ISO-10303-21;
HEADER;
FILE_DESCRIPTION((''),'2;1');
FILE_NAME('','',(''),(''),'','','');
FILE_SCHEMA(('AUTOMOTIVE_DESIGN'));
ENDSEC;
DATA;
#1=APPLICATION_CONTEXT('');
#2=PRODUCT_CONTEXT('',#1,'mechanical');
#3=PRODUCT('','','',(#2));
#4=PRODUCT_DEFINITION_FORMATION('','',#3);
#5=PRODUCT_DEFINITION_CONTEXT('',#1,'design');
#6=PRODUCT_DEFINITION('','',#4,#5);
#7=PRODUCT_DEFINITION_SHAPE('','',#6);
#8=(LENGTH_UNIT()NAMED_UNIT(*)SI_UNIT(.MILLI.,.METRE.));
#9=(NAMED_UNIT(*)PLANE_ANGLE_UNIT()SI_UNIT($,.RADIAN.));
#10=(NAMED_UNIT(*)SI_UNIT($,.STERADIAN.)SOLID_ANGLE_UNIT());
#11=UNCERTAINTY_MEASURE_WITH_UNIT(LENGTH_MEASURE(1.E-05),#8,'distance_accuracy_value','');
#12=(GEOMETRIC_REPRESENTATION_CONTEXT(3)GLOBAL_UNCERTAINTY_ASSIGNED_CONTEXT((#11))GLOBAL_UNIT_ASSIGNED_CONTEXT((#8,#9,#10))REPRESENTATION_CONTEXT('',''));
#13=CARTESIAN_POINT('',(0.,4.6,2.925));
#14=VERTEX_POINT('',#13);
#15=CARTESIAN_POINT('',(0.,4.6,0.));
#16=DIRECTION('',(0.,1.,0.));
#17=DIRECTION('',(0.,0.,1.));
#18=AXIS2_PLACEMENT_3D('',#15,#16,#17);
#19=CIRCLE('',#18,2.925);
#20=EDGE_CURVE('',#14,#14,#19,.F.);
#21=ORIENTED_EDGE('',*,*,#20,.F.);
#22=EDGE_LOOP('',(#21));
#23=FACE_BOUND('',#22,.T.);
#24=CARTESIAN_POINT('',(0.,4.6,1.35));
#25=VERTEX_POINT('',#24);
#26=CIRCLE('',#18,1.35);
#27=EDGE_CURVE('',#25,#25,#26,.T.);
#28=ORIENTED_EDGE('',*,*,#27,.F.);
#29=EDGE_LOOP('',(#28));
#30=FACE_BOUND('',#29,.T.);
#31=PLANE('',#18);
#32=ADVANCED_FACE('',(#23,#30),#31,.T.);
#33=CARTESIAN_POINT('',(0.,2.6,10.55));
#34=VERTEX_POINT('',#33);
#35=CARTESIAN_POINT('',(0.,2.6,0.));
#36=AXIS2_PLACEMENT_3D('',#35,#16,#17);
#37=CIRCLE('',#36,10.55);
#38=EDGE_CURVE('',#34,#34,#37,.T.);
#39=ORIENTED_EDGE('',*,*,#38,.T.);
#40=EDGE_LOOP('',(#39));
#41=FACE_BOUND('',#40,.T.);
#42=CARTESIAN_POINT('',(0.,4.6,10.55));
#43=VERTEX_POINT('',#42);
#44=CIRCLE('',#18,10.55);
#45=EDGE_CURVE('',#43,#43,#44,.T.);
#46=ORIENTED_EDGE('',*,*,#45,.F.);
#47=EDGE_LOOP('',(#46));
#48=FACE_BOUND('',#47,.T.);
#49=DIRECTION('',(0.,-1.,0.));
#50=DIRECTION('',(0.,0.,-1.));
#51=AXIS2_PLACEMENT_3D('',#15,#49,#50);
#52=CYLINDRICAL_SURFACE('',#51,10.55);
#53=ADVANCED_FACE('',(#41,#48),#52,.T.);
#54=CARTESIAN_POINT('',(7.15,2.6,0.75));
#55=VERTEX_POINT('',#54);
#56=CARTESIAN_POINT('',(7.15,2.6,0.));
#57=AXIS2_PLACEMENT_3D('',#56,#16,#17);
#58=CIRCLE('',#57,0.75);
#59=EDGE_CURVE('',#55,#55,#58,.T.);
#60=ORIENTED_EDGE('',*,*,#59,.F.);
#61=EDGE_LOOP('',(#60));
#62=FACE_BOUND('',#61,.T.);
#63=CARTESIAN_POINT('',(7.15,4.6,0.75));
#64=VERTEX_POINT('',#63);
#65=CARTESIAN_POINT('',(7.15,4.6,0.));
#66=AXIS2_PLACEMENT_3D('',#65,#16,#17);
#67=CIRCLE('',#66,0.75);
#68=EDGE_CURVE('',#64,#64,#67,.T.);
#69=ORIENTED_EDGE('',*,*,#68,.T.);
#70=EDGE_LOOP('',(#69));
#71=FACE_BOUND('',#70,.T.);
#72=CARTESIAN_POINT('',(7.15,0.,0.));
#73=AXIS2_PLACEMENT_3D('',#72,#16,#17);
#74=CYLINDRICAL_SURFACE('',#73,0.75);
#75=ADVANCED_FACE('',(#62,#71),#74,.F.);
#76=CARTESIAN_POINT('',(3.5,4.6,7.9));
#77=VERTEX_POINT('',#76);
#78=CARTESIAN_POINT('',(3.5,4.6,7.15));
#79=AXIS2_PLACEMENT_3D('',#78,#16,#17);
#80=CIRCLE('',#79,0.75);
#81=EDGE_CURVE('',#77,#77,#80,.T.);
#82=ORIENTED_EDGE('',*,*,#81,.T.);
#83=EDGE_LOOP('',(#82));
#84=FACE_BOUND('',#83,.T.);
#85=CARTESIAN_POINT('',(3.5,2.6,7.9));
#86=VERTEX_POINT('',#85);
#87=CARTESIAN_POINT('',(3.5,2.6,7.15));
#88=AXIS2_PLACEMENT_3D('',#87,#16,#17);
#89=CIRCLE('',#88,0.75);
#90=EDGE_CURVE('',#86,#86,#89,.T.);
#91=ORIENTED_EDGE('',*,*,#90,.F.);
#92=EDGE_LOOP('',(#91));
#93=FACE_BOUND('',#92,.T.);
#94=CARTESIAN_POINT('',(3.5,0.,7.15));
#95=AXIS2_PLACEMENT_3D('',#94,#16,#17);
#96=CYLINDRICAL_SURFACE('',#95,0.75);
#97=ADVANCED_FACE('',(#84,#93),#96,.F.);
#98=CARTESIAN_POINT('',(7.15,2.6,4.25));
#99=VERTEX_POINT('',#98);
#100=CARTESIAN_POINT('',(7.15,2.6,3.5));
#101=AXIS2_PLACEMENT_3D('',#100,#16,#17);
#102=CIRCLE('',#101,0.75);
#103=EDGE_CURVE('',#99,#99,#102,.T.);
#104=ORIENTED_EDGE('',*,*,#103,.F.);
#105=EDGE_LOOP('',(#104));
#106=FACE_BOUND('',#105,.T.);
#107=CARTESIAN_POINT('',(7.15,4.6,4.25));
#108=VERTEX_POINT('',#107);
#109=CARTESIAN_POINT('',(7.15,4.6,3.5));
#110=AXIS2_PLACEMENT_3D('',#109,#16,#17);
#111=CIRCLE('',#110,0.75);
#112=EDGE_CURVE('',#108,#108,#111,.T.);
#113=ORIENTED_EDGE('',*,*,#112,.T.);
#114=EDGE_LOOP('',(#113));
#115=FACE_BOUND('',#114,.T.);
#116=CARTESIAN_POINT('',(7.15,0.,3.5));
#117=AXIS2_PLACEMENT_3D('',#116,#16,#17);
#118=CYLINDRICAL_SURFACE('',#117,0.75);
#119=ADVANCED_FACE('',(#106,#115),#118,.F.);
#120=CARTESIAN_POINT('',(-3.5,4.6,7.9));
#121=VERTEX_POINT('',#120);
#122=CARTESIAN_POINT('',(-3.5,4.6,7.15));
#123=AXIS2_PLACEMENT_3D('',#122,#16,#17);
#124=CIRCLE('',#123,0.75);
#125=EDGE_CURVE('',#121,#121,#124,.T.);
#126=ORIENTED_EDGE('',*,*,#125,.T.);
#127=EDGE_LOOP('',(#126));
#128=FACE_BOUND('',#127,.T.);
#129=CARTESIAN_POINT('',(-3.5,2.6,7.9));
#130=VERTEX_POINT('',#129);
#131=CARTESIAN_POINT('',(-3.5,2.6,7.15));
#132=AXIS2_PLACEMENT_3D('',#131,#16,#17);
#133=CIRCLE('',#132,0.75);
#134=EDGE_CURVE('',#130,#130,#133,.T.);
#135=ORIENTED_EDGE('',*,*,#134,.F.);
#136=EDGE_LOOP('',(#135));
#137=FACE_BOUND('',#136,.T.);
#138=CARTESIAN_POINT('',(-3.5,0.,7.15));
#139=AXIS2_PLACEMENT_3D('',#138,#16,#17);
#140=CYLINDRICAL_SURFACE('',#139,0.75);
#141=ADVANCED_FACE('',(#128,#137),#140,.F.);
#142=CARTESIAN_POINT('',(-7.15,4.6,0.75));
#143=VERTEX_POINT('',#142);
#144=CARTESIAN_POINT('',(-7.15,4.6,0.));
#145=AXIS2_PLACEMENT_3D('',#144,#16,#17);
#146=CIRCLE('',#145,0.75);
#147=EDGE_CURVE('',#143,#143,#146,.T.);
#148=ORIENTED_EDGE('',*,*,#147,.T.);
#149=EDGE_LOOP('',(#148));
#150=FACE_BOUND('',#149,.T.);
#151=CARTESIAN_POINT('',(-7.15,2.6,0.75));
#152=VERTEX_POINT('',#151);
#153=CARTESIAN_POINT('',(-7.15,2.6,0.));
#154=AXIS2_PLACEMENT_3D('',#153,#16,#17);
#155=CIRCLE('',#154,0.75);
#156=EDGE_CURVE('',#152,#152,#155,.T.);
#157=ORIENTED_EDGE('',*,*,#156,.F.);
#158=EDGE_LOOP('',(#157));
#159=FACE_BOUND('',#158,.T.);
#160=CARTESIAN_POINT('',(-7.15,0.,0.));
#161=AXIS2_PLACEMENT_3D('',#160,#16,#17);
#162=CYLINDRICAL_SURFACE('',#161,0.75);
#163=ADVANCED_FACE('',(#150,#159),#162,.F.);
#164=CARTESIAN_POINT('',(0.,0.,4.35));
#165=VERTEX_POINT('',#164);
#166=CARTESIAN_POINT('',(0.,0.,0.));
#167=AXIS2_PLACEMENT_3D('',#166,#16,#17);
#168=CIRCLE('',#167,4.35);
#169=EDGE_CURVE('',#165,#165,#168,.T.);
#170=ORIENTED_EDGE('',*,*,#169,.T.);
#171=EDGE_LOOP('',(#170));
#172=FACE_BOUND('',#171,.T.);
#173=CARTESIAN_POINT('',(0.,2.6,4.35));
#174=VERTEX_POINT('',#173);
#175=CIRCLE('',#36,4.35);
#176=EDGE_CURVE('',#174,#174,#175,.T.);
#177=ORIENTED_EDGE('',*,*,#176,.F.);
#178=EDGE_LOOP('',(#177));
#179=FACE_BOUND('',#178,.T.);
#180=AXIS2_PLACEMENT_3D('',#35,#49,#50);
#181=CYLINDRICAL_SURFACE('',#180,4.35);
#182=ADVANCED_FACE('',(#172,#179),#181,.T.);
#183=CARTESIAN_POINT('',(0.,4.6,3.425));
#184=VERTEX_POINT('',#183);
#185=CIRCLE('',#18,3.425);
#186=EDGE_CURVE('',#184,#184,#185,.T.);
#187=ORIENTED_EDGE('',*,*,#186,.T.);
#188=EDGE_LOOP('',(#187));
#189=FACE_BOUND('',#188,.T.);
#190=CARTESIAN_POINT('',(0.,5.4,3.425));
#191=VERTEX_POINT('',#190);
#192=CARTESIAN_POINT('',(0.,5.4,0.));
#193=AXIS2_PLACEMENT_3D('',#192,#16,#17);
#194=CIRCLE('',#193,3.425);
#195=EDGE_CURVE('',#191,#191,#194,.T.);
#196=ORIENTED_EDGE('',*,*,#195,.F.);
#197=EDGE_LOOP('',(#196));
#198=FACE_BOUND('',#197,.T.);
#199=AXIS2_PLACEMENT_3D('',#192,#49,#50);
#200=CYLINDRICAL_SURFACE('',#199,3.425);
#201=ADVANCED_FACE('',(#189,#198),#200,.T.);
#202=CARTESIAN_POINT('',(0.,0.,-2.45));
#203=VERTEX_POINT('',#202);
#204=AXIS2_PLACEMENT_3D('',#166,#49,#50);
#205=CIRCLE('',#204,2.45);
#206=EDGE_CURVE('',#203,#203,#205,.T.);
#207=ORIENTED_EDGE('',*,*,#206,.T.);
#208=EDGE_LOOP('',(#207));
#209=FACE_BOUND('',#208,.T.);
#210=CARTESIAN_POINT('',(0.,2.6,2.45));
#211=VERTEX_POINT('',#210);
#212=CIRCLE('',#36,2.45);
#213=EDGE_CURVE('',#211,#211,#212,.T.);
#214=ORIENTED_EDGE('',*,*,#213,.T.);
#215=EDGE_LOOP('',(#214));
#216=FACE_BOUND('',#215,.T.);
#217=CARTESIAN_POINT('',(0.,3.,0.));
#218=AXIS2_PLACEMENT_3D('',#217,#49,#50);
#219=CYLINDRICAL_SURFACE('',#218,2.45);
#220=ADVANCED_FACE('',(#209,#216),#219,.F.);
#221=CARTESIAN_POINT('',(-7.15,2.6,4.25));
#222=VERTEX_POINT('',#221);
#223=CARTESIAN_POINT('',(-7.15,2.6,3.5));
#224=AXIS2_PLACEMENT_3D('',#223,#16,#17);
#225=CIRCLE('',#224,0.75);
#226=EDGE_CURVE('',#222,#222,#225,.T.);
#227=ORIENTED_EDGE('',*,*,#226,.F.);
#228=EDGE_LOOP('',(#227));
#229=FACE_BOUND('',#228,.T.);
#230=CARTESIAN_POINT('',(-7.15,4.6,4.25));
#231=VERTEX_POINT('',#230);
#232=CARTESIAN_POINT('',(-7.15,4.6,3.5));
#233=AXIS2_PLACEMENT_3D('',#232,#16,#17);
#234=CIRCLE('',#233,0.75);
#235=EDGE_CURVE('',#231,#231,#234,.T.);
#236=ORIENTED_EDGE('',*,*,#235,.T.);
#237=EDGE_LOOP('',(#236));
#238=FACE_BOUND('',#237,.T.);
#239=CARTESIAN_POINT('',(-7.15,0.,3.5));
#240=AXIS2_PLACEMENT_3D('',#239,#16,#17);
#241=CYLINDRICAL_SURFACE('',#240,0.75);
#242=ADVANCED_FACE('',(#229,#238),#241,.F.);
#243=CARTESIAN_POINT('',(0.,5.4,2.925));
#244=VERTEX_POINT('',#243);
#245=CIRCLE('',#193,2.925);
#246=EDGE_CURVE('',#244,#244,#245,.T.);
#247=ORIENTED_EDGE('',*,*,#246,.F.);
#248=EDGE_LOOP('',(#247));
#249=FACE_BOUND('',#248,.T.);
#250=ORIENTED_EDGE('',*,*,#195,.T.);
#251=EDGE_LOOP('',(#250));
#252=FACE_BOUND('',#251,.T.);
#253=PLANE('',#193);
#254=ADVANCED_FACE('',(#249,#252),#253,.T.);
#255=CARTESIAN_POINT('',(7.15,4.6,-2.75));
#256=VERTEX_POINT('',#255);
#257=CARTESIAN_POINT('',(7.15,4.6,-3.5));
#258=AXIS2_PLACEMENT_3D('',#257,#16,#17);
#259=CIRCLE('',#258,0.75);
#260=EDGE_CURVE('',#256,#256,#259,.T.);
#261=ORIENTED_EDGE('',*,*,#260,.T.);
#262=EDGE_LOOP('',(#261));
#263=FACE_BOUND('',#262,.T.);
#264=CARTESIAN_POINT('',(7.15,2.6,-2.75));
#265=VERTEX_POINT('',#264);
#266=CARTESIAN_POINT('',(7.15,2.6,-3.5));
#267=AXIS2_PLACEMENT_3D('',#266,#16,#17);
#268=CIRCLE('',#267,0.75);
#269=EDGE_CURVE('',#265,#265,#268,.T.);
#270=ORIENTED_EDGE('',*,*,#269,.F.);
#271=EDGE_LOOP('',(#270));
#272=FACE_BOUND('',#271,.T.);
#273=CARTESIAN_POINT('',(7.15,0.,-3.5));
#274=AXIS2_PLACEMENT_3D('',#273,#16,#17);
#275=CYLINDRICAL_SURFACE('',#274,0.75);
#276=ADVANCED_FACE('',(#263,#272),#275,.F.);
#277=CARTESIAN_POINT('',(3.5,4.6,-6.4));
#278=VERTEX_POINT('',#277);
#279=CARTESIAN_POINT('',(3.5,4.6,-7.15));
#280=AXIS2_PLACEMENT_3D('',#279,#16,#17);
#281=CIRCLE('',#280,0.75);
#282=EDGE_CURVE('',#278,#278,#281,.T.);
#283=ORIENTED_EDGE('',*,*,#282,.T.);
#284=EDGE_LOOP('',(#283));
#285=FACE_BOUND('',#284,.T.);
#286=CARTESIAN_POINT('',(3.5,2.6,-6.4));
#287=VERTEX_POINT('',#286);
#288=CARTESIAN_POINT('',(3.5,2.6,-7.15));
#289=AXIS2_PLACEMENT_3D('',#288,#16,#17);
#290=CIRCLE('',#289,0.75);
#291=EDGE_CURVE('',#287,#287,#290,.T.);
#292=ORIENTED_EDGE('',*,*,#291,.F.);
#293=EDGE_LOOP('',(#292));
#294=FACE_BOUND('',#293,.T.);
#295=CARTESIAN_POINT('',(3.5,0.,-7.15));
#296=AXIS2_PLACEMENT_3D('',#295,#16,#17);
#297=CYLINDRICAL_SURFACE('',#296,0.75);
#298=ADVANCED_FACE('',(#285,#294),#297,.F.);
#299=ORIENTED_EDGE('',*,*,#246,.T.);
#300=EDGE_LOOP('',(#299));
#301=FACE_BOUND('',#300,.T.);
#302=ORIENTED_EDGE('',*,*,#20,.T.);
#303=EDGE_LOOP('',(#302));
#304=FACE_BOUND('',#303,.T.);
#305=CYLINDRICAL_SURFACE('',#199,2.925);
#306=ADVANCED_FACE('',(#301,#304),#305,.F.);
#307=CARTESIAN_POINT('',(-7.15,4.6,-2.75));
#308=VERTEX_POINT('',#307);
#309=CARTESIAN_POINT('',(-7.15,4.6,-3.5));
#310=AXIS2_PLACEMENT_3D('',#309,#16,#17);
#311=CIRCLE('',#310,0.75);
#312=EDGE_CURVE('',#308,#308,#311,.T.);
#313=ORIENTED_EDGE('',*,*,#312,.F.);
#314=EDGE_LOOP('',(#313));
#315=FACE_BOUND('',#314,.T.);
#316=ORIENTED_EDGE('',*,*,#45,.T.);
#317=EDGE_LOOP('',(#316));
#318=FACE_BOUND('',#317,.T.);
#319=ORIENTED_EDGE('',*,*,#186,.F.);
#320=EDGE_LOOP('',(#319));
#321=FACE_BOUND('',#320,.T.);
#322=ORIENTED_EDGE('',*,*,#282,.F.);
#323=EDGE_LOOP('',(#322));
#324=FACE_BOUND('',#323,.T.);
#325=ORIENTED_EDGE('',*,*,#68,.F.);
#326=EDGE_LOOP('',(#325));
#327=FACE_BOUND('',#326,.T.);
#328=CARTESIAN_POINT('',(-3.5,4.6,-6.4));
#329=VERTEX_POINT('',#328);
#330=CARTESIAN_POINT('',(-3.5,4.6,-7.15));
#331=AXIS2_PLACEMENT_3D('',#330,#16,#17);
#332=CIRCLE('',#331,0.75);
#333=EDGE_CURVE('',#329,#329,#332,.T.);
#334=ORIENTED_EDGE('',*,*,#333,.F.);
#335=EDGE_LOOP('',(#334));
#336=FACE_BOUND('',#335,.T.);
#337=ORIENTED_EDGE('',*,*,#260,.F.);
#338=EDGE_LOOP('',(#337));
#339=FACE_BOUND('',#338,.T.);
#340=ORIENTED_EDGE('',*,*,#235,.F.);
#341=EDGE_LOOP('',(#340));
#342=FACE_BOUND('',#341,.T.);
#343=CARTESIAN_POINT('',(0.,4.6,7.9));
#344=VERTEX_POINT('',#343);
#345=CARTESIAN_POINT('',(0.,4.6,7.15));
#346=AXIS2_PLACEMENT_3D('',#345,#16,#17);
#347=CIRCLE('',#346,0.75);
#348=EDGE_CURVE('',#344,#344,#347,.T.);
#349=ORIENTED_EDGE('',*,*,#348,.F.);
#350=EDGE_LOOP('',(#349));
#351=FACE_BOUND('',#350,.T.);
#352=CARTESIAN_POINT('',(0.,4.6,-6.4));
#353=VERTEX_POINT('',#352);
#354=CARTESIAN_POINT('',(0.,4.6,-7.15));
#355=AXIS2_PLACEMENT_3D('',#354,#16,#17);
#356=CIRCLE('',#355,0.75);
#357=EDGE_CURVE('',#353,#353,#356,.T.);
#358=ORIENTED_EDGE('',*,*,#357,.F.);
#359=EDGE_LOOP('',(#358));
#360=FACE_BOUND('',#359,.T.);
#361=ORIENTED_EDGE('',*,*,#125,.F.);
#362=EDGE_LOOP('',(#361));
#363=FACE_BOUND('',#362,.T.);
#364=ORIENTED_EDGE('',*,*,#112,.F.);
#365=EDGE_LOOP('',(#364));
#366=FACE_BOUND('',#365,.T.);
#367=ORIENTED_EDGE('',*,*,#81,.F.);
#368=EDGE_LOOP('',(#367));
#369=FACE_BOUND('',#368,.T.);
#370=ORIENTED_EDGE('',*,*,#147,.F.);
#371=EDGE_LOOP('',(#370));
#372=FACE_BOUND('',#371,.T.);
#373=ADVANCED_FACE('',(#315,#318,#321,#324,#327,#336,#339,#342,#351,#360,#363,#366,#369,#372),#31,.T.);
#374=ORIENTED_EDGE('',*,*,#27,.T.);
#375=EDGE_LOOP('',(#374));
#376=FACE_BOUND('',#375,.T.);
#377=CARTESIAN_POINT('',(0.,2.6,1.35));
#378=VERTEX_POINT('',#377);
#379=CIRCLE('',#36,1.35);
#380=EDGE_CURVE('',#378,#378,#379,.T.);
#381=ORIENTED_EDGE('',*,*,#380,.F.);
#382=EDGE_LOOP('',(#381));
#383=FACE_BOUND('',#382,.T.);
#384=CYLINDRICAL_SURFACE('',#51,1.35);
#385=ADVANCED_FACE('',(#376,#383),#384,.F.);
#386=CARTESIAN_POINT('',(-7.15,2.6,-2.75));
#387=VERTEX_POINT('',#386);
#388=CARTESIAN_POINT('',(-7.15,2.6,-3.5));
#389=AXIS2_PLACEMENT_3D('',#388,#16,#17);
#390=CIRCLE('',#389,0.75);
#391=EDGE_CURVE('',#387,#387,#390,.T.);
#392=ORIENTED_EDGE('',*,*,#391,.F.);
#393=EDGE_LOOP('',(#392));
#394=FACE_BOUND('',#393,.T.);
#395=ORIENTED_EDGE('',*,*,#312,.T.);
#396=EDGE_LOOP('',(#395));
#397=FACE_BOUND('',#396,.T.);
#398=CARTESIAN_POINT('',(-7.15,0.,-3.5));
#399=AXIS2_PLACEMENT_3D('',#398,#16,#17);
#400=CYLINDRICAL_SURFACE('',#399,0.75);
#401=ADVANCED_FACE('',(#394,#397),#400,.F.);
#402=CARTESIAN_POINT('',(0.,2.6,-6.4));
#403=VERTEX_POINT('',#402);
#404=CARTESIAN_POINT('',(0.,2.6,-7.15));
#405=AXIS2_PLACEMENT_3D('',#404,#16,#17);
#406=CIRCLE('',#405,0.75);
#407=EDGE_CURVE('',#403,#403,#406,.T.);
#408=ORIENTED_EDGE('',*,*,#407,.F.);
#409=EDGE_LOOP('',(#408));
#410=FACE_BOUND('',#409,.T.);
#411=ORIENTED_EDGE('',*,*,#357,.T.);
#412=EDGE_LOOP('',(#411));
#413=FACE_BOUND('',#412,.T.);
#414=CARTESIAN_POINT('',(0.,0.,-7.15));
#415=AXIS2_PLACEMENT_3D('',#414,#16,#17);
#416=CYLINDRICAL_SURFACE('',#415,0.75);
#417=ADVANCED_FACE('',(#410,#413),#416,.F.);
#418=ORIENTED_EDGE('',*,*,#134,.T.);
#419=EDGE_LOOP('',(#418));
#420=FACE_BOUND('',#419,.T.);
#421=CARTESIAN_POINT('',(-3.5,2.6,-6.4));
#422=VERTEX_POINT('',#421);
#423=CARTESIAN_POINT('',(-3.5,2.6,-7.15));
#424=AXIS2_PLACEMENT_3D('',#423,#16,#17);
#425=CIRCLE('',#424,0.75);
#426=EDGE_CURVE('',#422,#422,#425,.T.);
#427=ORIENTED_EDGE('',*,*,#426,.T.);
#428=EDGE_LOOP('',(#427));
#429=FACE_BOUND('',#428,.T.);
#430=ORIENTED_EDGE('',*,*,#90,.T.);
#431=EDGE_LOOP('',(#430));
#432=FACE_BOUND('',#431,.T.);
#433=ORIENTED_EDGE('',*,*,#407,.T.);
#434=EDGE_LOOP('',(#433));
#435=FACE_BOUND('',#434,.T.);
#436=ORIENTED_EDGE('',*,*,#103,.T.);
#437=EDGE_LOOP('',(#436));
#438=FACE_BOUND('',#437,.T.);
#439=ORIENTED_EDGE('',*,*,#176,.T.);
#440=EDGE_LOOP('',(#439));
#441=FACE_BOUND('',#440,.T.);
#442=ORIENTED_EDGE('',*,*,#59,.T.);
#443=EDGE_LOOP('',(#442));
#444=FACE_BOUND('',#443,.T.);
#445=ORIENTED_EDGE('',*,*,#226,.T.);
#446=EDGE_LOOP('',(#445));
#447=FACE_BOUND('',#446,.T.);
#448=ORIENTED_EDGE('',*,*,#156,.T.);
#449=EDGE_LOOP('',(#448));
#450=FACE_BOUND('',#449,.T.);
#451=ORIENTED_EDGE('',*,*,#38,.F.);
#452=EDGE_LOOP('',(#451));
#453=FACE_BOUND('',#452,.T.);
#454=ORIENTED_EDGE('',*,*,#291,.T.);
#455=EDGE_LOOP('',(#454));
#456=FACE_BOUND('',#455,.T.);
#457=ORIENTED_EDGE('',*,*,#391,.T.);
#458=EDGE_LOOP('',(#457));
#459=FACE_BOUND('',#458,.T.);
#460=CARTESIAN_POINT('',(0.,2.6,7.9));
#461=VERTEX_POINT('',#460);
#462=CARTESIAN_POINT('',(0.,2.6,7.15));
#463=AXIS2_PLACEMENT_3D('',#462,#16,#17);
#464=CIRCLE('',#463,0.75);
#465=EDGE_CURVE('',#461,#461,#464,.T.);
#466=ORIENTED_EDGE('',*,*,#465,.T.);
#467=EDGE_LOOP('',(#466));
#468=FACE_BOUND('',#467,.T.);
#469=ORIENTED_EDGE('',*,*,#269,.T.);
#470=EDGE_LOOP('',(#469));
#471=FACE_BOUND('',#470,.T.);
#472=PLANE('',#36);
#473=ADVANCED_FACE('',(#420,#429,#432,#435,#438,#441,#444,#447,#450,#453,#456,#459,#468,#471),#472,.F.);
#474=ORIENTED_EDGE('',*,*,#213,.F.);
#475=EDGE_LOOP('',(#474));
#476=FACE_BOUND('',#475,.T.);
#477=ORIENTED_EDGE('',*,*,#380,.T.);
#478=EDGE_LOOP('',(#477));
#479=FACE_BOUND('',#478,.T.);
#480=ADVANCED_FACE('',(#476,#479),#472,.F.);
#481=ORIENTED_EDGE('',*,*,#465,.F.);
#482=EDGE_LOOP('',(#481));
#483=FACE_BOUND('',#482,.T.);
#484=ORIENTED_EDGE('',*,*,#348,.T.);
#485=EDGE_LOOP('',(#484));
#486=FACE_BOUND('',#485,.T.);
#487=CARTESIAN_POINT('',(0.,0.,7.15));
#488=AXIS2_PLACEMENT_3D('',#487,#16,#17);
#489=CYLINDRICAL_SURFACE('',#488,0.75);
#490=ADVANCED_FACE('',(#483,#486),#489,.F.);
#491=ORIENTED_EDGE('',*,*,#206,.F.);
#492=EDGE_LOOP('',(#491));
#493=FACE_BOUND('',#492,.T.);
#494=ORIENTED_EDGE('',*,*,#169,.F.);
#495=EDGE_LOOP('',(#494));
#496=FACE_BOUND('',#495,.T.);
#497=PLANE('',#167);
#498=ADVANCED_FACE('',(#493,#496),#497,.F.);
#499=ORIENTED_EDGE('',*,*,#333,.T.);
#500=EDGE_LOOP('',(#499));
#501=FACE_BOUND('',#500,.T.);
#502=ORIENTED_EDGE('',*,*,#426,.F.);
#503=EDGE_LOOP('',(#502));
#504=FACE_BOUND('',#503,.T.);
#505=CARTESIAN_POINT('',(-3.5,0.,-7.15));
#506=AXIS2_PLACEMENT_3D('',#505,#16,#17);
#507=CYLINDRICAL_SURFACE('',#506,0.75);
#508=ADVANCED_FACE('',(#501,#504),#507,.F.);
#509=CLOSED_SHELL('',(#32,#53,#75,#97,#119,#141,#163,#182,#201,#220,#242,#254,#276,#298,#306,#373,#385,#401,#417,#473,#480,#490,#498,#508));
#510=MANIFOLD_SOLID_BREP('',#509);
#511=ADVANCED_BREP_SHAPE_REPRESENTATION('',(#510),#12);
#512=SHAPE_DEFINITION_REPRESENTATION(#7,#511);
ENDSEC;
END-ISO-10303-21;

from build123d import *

# Parameters (mm, degrees)
SKETCH1_R                           = 4.35
REBAIXO_DE_ENCAIXE_DEPTH            = 2.6
SKETCH14_R                          = 2.45
FURO_DE_ENCAIXE_SERVO_DEPTH         = 3
SKETCH5_R                           = 10.55
SKETCH5_R_2                         = 1.35
BASE_REDONDA_DEPTH                  = 2
SKETCH8_R                           = 3.425
SKETCH8_R_2                         = 2.925
RESSALTO_DEPTH                      = 0.8
SKETCH9_R                           = 0.75
FUROS_DE_FIXA_O_CARGA_REDONDO_DEPTH = 16.612975373


with BuildPart() as part:
    # Sketch1 → Rebaixo de Encaixe (new body)
    with BuildSketch(Plane(origin=(0, 0, 0), x_dir=(1, 0, 0), z_dir=(0, 1, 0))):
        with Locations(Location((0, 0, 0), (0, 0, 270))):
            Circle(SKETCH1_R)
    extrude(amount=REBAIXO_DE_ENCAIXE_DEPTH)

    # Sketch14 → Furo de Encaixe - Servo (cut)
    with BuildSketch(Plane.XZ):
        with Locations(Location((0, 0, 0), (0, 0, 270))):
            Circle(SKETCH14_R)
    extrude(amount=-FURO_DE_ENCAIXE_SERVO_DEPTH, mode=Mode.SUBTRACT)

    # Sketch5 → Base Redonda (add)
    with BuildSketch(Plane(origin=(0, 2.6, 0), x_dir=(1, 0, 0), z_dir=(0, 1, 0))):
        with Locations(Location((0, 0, 0), (0, 0, 270))):
            Circle(SKETCH5_R)
        with Locations(Location((0, 0, 0), (0, 0, 270))):
            Circle(SKETCH5_R_2, mode=Mode.SUBTRACT)
    extrude(amount=BASE_REDONDA_DEPTH)

    # Sketch8 → Ressalto (add)
    with BuildSketch(Plane(origin=(0, 4.6, 0), x_dir=(1, 0, 0), z_dir=(0, 1, 0))):
        with Locations(Location((0, 0, 0), (0, 0, 270))):
            Circle(SKETCH8_R)
        with Locations(Location((0, 0, 0), (0, 0, 270))):
            Circle(SKETCH8_R_2, mode=Mode.SUBTRACT)
    extrude(amount=RESSALTO_DEPTH)

    # Sketch9 → Furos de Fixação - Carga Redondo (cut, through all)
    with BuildSketch(Plane(origin=(0, 4.6, 0), x_dir=(1, 0, 0), z_dir=(0, 1, 0))):
        with Locations(Location((0, 7.15, 0), (0, 0, 270))):
            Circle(SKETCH9_R)
        with Locations(Location((3.5, 7.15, 0), (0, 0, 270))):
            Circle(SKETCH9_R)
        with Locations(Location((-3.5, 7.15, 0), (0, 0, 270))):
            Circle(SKETCH9_R)
        with Locations(Location((7.15, 3.5, 0), (0, 0, 270))):
            Circle(SKETCH9_R)
        with Locations(Location((7.15, 0, 0), (0, 0, 270))):
            Circle(SKETCH9_R)
        with Locations(Location((7.15, -3.5, 0), (0, 0, 270))):
            Circle(SKETCH9_R)
        with Locations(Location((3.5, -7.15, 0), (0, 0, 270))):
            Circle(SKETCH9_R)
        with Locations(Location((0, -7.15, 0), (0, 0, 270))):
            Circle(SKETCH9_R)
        with Locations(Location((-3.5, -7.15, 0), (0, 0, 270))):
            Circle(SKETCH9_R)
        with Locations(Location((-7.15, -3.5, 0), (0, 0, 270))):
            Circle(SKETCH9_R)
        with Locations(Location((-7.15, 0, 0), (0, 0, 270))):
            Circle(SKETCH9_R)
        with Locations(Location((-7.15, 3.5, 0), (0, 0, 270))):
            Circle(SKETCH9_R)
    extrude(amount=-FUROS_DE_FIXA_O_CARGA_REDONDO_DEPTH, mode=Mode.SUBTRACT)


solid = part.part
